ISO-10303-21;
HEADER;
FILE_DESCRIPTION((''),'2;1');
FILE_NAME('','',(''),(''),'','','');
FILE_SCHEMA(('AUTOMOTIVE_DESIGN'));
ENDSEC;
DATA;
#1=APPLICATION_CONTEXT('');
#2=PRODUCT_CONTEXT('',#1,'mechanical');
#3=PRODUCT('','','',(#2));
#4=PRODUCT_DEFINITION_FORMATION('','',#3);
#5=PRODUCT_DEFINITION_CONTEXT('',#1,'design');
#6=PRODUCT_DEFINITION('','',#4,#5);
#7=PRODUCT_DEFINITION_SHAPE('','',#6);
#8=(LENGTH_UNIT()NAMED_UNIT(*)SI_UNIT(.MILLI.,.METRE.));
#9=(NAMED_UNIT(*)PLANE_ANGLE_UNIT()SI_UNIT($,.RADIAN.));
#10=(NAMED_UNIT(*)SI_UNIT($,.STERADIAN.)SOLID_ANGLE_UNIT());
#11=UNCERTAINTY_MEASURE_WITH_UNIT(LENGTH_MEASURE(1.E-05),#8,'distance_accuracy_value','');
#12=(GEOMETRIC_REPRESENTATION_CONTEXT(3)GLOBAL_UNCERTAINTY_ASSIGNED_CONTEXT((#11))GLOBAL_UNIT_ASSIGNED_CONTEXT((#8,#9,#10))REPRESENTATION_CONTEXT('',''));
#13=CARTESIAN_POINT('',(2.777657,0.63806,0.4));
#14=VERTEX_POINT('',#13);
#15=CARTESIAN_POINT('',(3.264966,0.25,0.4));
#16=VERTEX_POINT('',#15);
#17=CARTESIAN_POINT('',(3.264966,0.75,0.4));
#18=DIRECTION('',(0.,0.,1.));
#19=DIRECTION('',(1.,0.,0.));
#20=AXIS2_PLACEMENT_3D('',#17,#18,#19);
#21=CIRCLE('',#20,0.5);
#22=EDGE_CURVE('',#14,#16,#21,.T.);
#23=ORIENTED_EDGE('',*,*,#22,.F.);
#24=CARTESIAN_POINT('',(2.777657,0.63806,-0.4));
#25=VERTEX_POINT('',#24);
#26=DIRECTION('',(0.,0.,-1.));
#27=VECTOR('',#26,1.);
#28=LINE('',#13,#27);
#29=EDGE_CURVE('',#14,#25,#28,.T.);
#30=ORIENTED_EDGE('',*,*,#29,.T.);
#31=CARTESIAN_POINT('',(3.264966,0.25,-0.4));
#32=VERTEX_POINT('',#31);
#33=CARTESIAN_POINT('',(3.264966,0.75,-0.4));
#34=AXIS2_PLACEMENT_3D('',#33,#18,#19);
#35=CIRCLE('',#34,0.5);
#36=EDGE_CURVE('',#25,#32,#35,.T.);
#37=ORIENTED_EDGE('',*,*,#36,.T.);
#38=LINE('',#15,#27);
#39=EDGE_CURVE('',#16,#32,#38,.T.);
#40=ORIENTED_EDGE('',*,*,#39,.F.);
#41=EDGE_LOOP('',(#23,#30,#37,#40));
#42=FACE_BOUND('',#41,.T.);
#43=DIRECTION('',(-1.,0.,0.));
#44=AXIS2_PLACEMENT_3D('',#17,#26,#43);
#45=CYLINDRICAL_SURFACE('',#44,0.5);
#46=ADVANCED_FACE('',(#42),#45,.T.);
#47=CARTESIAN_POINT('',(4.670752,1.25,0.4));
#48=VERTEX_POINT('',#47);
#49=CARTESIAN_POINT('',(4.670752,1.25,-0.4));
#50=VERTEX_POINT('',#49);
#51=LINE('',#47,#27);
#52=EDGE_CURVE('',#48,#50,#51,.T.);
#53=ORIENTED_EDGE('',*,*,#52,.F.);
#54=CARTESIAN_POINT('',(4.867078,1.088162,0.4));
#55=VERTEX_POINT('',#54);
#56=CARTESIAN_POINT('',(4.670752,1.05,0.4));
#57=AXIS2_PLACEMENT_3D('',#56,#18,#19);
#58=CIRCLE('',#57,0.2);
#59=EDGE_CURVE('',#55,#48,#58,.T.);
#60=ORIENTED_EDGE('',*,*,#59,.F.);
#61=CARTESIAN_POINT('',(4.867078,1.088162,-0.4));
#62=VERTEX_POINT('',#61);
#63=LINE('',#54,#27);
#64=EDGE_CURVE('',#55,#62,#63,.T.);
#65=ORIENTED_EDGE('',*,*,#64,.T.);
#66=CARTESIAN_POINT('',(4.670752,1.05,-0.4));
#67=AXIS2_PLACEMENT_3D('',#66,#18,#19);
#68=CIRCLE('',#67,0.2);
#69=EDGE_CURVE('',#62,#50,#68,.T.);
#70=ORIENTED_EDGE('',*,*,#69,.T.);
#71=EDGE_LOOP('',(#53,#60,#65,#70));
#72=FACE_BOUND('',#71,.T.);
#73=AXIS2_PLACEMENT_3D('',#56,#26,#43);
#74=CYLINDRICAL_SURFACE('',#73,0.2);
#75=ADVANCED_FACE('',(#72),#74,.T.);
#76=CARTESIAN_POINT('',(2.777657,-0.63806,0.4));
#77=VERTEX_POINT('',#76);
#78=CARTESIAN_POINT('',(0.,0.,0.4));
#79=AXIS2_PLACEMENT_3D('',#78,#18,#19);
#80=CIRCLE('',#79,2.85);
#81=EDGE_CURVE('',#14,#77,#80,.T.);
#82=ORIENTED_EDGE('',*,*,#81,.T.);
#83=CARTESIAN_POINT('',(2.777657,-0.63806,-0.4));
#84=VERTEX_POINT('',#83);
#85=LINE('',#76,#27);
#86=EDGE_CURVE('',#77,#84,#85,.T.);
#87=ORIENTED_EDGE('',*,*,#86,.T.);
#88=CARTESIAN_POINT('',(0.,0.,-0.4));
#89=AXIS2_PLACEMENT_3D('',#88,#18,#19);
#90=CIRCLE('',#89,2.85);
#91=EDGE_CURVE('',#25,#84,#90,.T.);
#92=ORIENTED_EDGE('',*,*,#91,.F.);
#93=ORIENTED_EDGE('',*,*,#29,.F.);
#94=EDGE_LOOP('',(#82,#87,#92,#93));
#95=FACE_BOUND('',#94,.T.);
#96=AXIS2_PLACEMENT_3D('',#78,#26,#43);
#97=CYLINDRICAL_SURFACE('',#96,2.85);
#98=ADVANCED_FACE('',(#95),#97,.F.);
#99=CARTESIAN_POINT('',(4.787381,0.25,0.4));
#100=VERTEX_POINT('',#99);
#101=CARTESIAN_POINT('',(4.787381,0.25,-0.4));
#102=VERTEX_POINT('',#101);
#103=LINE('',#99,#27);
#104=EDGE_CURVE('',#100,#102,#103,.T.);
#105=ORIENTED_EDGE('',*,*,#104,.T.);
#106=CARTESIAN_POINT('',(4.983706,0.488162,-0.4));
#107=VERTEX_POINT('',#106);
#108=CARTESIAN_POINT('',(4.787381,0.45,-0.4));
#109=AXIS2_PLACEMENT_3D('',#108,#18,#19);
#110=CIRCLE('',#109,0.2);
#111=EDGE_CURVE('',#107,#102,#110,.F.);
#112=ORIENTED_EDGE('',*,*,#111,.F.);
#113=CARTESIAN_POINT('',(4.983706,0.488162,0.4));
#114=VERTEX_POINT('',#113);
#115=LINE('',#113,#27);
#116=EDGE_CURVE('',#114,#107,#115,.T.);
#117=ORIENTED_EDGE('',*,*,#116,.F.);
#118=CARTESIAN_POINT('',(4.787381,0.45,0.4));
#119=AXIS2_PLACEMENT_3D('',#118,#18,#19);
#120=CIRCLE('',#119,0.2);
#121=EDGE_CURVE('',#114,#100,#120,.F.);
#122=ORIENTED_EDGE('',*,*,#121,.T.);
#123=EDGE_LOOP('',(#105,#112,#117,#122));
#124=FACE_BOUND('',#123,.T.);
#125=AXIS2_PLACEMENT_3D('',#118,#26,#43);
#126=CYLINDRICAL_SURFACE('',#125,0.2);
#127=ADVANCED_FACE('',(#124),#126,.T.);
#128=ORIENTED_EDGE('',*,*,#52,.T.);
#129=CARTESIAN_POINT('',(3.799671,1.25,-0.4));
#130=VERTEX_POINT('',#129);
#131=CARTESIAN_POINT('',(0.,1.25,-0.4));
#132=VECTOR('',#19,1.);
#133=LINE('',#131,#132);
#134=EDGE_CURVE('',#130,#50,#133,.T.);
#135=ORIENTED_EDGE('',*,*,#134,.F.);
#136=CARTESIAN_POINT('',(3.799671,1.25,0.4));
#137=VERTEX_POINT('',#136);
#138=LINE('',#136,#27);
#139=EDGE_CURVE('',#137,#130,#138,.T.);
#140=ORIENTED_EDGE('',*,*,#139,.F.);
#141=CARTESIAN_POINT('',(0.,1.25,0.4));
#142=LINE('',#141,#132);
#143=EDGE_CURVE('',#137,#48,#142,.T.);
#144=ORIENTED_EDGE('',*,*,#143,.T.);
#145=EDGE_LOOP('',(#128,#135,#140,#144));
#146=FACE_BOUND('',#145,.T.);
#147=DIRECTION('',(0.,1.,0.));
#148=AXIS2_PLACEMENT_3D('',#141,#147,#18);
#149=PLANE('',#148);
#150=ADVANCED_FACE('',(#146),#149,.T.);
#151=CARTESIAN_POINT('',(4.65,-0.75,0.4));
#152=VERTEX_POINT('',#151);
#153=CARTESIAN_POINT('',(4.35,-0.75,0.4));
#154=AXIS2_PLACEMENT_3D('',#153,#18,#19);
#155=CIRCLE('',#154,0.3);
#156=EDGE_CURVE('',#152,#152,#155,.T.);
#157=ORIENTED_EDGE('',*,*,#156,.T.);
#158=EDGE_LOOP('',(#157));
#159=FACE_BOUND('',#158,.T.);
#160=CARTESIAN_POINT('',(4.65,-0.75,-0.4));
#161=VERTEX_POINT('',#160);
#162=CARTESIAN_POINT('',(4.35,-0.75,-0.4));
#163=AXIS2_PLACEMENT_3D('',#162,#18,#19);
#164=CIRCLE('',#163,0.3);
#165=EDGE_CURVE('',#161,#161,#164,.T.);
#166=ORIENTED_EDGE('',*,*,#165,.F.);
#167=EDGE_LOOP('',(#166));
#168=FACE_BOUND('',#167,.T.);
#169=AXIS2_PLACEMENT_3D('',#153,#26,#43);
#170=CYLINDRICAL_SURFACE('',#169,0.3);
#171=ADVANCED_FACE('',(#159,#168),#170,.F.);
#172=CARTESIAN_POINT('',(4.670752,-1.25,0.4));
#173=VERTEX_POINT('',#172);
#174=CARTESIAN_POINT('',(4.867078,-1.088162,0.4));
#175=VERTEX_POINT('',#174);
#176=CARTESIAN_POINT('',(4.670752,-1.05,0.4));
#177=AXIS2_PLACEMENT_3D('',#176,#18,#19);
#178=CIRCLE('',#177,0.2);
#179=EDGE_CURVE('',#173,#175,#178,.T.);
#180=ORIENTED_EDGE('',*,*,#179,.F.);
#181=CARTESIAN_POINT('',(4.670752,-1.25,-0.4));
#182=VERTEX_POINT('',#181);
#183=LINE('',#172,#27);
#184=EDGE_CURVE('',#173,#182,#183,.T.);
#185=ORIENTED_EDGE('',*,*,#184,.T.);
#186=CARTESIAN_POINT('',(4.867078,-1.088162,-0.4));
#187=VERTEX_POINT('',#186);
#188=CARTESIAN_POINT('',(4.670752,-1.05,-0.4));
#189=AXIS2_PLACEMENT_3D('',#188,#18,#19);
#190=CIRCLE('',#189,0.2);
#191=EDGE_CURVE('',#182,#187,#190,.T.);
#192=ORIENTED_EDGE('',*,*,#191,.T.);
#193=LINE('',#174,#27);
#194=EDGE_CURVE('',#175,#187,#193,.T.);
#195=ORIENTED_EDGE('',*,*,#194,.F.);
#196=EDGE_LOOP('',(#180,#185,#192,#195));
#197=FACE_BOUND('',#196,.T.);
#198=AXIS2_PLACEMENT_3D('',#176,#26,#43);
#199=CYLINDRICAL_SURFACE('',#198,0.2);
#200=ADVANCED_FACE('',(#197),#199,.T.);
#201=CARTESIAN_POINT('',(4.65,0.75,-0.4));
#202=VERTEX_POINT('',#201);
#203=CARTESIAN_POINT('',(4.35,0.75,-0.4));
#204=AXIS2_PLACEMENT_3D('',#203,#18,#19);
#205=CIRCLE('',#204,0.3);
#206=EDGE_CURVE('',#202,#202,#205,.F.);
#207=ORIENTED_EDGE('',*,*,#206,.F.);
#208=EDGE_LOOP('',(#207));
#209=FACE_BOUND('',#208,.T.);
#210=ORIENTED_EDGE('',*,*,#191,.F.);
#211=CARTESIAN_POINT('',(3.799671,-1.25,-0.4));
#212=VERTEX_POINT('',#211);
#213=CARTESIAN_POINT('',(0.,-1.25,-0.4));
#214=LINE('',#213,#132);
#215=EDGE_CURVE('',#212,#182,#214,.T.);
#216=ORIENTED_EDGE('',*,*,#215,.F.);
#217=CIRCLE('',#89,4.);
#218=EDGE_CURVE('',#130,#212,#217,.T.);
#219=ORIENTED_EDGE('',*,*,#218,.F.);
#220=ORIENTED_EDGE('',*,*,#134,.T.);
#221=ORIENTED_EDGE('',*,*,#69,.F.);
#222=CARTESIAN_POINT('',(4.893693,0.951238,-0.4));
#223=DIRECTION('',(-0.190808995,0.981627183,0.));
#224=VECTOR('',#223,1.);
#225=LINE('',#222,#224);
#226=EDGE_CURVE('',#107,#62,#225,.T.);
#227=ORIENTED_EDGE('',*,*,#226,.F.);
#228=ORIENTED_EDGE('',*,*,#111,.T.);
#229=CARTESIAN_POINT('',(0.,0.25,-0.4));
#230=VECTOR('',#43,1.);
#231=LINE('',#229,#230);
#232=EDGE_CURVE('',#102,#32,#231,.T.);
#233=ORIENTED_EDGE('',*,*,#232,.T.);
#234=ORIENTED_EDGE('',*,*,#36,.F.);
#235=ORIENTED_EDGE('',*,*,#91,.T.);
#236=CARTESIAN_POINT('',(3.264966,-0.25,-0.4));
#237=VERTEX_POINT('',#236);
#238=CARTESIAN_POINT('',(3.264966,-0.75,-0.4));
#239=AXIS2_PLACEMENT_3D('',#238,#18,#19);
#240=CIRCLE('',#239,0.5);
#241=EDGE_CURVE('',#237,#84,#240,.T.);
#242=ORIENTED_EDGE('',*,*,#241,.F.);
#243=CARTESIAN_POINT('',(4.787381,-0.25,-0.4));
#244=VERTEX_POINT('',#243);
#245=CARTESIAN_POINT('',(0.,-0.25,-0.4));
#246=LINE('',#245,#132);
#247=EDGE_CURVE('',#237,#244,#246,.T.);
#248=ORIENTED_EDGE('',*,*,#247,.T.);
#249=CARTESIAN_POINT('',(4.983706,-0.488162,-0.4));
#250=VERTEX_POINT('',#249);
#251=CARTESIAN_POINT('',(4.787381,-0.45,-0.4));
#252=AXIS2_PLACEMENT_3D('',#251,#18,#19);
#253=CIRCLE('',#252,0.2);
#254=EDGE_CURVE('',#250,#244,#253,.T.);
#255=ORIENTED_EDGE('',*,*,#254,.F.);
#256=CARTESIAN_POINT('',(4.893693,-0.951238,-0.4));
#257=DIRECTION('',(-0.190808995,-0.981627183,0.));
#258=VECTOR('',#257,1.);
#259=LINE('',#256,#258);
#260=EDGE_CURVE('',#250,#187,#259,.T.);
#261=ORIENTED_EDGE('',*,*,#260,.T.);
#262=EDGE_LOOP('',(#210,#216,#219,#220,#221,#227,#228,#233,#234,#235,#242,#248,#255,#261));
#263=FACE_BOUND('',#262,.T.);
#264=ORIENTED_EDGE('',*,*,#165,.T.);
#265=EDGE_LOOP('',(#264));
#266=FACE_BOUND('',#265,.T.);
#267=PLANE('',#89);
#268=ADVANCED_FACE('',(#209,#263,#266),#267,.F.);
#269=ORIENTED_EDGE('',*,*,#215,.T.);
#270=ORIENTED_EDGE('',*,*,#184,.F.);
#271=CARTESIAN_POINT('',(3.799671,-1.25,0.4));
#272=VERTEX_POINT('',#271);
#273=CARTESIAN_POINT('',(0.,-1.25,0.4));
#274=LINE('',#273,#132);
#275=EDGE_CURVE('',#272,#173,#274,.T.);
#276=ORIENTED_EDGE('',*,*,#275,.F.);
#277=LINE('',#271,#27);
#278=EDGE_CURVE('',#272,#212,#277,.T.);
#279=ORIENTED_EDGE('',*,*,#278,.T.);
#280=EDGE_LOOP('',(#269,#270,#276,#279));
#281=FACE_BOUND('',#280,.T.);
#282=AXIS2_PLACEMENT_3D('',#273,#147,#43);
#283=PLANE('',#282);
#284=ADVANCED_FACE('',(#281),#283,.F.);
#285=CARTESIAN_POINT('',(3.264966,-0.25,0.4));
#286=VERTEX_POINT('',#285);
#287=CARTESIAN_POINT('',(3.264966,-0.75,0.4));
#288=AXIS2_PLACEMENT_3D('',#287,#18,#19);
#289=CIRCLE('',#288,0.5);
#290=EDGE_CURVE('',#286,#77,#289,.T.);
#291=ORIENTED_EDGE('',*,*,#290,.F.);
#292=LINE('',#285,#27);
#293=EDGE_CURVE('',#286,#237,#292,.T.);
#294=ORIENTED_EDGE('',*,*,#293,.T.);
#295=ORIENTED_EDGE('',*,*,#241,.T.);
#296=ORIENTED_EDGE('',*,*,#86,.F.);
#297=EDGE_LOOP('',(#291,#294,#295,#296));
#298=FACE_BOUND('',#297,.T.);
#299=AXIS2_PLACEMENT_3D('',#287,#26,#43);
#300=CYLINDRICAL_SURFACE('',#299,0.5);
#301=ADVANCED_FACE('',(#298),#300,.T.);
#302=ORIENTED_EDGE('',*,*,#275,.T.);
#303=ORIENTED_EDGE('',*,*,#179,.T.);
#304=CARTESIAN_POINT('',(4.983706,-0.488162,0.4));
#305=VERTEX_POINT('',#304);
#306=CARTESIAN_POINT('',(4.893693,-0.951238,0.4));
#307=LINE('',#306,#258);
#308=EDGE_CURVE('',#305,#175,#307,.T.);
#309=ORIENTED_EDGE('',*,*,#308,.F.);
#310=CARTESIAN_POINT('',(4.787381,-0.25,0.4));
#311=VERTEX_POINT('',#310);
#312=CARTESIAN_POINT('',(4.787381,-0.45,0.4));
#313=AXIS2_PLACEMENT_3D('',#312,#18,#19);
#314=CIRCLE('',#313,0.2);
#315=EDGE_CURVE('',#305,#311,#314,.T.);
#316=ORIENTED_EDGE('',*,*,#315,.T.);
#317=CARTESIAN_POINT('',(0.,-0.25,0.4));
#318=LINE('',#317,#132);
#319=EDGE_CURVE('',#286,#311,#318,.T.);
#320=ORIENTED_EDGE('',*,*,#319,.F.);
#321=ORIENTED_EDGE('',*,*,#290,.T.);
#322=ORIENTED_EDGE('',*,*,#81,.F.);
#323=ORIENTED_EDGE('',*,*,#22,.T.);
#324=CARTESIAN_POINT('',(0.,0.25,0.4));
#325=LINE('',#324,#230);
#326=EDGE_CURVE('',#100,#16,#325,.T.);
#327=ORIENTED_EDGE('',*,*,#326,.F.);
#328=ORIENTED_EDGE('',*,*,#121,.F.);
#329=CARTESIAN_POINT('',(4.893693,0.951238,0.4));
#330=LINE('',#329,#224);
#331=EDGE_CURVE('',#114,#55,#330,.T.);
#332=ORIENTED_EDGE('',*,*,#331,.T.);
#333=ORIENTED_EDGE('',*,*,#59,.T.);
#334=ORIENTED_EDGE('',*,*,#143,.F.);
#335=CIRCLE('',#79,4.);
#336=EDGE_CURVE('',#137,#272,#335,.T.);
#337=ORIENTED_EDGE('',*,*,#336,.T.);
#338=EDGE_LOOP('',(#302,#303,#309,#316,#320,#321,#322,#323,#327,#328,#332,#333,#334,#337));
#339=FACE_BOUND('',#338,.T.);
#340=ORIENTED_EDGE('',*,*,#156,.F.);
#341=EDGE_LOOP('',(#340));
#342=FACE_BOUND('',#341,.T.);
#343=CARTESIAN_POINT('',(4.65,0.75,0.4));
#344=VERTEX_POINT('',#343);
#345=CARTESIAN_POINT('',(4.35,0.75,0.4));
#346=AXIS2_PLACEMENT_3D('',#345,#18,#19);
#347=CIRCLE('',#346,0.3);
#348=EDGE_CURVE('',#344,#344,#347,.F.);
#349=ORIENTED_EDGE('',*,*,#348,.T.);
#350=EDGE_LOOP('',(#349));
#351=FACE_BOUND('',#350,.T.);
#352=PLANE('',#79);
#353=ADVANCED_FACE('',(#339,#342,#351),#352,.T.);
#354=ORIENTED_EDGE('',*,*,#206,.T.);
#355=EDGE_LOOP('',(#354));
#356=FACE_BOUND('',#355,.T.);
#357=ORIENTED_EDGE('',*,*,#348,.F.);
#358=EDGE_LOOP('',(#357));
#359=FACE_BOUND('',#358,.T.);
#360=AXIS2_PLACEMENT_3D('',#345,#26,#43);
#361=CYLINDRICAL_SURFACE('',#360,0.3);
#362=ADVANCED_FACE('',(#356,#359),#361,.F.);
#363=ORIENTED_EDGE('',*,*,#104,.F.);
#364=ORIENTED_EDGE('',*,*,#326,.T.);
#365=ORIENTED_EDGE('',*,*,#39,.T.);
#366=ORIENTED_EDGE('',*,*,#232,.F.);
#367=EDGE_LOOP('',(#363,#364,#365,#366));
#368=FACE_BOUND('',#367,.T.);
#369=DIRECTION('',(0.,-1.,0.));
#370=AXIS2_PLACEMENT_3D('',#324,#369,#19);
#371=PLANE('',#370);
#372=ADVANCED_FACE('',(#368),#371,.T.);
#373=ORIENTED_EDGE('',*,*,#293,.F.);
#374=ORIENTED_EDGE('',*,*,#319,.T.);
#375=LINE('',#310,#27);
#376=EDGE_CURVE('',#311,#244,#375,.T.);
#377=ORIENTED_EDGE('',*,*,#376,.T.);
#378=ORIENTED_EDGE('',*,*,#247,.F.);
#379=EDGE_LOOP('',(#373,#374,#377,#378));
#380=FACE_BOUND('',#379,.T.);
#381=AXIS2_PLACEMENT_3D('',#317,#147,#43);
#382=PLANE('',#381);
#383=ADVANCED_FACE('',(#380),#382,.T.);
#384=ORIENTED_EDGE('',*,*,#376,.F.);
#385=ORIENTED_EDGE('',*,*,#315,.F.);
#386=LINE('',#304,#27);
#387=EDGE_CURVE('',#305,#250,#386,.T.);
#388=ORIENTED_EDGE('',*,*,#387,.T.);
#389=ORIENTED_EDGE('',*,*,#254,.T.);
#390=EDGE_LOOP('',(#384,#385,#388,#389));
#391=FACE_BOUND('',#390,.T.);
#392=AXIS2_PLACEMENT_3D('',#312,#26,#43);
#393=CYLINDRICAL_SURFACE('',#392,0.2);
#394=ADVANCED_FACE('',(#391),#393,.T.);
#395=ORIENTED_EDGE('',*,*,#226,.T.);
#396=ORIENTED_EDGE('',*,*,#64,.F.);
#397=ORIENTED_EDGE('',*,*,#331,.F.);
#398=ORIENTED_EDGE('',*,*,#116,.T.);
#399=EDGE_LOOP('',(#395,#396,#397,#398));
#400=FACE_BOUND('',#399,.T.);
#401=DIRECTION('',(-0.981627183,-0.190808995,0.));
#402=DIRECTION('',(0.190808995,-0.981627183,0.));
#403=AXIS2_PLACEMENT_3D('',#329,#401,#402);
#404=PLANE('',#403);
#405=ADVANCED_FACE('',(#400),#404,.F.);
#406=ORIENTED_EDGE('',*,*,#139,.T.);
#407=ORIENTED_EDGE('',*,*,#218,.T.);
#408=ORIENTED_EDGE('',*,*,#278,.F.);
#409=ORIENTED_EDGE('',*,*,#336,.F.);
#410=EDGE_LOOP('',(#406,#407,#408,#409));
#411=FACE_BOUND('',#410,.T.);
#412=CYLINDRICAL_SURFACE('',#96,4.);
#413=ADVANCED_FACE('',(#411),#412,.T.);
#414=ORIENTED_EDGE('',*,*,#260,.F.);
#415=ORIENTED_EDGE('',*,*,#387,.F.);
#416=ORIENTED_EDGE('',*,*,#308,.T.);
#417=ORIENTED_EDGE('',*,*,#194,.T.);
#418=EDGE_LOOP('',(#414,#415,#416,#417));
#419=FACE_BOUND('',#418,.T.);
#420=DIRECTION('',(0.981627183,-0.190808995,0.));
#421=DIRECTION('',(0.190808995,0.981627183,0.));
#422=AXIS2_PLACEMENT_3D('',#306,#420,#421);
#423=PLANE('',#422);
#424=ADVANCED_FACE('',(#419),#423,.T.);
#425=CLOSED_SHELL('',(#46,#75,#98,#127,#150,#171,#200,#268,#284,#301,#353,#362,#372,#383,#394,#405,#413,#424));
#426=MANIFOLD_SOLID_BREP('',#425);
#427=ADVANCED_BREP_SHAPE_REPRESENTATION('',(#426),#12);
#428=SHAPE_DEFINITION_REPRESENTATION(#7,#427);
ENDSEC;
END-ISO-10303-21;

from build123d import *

# Parameters (mm, degrees)
SKETCH1_R           = 0.3
BOSS_EXTRUDE1_DEPTH = 0.4


with BuildPart() as part:
    # Sketch1 → Boss-Extrude1 (new, symmetric)
    with BuildSketch(Plane(origin=(0, 0, 0), x_dir=(0, 1, 0), z_dir=(0, 0, 1))):
        with BuildLine():
            Line((-0.25, -3.264965543), (-0.25, -4.787380599))
            ThreePointArc((-0.25, -4.787380599), (-0.322784356, -4.941705516), (-0.488161799, -4.983706036))
            Line((-0.488161799, -4.983706036), (-1.088161799, -4.86707785))
            ThreePointArc((-1.088161799, -4.86707785), (-1.204324917, -4.797968058), (-1.25, -4.670752414))
            Line((-1.25, -4.670752414), (-1.25, -3.799671038))
            ThreePointArc((-1.25, -3.799671038), (0, 4), (1.25, -3.799671038))
            Line((1.25, -3.799671038), (1.25, -4.670752414))
            ThreePointArc((1.25, -4.670752414), (1.204324917, -4.797968058), (1.088161799, -4.86707785))
            Line((1.088161799, -4.86707785), (0.488161799, -4.983706036))
            ThreePointArc((0.488161799, -4.983706036), (0.322784356, -4.941705516), (0.25, -4.787380599))
            Line((0.25, -4.787380599), (0.25, -3.264965543))
            ThreePointArc((0.25, -3.264965543), (0.358866935, -2.953493353), (0.638059701, -2.777657253))
            ThreePointArc((0.638059701, -2.777657253), (0, 2.85), (-0.638059701, -2.777657253))
            ThreePointArc((-0.638059701, -2.777657253), (-0.358866935, -2.953493353), (-0.25, -3.264965543))
        make_face()
        with Locations(Location((0.75, -4.35, 0), (0, 0, 270))):
            Circle(SKETCH1_R, mode=Mode.SUBTRACT)
        with Locations(Location((-0.75, -4.35, 0), (0, 0, 270))):
            Circle(SKETCH1_R, mode=Mode.SUBTRACT)
    extrude(amount=BOSS_EXTRUDE1_DEPTH, both=True)


solid = part.part
